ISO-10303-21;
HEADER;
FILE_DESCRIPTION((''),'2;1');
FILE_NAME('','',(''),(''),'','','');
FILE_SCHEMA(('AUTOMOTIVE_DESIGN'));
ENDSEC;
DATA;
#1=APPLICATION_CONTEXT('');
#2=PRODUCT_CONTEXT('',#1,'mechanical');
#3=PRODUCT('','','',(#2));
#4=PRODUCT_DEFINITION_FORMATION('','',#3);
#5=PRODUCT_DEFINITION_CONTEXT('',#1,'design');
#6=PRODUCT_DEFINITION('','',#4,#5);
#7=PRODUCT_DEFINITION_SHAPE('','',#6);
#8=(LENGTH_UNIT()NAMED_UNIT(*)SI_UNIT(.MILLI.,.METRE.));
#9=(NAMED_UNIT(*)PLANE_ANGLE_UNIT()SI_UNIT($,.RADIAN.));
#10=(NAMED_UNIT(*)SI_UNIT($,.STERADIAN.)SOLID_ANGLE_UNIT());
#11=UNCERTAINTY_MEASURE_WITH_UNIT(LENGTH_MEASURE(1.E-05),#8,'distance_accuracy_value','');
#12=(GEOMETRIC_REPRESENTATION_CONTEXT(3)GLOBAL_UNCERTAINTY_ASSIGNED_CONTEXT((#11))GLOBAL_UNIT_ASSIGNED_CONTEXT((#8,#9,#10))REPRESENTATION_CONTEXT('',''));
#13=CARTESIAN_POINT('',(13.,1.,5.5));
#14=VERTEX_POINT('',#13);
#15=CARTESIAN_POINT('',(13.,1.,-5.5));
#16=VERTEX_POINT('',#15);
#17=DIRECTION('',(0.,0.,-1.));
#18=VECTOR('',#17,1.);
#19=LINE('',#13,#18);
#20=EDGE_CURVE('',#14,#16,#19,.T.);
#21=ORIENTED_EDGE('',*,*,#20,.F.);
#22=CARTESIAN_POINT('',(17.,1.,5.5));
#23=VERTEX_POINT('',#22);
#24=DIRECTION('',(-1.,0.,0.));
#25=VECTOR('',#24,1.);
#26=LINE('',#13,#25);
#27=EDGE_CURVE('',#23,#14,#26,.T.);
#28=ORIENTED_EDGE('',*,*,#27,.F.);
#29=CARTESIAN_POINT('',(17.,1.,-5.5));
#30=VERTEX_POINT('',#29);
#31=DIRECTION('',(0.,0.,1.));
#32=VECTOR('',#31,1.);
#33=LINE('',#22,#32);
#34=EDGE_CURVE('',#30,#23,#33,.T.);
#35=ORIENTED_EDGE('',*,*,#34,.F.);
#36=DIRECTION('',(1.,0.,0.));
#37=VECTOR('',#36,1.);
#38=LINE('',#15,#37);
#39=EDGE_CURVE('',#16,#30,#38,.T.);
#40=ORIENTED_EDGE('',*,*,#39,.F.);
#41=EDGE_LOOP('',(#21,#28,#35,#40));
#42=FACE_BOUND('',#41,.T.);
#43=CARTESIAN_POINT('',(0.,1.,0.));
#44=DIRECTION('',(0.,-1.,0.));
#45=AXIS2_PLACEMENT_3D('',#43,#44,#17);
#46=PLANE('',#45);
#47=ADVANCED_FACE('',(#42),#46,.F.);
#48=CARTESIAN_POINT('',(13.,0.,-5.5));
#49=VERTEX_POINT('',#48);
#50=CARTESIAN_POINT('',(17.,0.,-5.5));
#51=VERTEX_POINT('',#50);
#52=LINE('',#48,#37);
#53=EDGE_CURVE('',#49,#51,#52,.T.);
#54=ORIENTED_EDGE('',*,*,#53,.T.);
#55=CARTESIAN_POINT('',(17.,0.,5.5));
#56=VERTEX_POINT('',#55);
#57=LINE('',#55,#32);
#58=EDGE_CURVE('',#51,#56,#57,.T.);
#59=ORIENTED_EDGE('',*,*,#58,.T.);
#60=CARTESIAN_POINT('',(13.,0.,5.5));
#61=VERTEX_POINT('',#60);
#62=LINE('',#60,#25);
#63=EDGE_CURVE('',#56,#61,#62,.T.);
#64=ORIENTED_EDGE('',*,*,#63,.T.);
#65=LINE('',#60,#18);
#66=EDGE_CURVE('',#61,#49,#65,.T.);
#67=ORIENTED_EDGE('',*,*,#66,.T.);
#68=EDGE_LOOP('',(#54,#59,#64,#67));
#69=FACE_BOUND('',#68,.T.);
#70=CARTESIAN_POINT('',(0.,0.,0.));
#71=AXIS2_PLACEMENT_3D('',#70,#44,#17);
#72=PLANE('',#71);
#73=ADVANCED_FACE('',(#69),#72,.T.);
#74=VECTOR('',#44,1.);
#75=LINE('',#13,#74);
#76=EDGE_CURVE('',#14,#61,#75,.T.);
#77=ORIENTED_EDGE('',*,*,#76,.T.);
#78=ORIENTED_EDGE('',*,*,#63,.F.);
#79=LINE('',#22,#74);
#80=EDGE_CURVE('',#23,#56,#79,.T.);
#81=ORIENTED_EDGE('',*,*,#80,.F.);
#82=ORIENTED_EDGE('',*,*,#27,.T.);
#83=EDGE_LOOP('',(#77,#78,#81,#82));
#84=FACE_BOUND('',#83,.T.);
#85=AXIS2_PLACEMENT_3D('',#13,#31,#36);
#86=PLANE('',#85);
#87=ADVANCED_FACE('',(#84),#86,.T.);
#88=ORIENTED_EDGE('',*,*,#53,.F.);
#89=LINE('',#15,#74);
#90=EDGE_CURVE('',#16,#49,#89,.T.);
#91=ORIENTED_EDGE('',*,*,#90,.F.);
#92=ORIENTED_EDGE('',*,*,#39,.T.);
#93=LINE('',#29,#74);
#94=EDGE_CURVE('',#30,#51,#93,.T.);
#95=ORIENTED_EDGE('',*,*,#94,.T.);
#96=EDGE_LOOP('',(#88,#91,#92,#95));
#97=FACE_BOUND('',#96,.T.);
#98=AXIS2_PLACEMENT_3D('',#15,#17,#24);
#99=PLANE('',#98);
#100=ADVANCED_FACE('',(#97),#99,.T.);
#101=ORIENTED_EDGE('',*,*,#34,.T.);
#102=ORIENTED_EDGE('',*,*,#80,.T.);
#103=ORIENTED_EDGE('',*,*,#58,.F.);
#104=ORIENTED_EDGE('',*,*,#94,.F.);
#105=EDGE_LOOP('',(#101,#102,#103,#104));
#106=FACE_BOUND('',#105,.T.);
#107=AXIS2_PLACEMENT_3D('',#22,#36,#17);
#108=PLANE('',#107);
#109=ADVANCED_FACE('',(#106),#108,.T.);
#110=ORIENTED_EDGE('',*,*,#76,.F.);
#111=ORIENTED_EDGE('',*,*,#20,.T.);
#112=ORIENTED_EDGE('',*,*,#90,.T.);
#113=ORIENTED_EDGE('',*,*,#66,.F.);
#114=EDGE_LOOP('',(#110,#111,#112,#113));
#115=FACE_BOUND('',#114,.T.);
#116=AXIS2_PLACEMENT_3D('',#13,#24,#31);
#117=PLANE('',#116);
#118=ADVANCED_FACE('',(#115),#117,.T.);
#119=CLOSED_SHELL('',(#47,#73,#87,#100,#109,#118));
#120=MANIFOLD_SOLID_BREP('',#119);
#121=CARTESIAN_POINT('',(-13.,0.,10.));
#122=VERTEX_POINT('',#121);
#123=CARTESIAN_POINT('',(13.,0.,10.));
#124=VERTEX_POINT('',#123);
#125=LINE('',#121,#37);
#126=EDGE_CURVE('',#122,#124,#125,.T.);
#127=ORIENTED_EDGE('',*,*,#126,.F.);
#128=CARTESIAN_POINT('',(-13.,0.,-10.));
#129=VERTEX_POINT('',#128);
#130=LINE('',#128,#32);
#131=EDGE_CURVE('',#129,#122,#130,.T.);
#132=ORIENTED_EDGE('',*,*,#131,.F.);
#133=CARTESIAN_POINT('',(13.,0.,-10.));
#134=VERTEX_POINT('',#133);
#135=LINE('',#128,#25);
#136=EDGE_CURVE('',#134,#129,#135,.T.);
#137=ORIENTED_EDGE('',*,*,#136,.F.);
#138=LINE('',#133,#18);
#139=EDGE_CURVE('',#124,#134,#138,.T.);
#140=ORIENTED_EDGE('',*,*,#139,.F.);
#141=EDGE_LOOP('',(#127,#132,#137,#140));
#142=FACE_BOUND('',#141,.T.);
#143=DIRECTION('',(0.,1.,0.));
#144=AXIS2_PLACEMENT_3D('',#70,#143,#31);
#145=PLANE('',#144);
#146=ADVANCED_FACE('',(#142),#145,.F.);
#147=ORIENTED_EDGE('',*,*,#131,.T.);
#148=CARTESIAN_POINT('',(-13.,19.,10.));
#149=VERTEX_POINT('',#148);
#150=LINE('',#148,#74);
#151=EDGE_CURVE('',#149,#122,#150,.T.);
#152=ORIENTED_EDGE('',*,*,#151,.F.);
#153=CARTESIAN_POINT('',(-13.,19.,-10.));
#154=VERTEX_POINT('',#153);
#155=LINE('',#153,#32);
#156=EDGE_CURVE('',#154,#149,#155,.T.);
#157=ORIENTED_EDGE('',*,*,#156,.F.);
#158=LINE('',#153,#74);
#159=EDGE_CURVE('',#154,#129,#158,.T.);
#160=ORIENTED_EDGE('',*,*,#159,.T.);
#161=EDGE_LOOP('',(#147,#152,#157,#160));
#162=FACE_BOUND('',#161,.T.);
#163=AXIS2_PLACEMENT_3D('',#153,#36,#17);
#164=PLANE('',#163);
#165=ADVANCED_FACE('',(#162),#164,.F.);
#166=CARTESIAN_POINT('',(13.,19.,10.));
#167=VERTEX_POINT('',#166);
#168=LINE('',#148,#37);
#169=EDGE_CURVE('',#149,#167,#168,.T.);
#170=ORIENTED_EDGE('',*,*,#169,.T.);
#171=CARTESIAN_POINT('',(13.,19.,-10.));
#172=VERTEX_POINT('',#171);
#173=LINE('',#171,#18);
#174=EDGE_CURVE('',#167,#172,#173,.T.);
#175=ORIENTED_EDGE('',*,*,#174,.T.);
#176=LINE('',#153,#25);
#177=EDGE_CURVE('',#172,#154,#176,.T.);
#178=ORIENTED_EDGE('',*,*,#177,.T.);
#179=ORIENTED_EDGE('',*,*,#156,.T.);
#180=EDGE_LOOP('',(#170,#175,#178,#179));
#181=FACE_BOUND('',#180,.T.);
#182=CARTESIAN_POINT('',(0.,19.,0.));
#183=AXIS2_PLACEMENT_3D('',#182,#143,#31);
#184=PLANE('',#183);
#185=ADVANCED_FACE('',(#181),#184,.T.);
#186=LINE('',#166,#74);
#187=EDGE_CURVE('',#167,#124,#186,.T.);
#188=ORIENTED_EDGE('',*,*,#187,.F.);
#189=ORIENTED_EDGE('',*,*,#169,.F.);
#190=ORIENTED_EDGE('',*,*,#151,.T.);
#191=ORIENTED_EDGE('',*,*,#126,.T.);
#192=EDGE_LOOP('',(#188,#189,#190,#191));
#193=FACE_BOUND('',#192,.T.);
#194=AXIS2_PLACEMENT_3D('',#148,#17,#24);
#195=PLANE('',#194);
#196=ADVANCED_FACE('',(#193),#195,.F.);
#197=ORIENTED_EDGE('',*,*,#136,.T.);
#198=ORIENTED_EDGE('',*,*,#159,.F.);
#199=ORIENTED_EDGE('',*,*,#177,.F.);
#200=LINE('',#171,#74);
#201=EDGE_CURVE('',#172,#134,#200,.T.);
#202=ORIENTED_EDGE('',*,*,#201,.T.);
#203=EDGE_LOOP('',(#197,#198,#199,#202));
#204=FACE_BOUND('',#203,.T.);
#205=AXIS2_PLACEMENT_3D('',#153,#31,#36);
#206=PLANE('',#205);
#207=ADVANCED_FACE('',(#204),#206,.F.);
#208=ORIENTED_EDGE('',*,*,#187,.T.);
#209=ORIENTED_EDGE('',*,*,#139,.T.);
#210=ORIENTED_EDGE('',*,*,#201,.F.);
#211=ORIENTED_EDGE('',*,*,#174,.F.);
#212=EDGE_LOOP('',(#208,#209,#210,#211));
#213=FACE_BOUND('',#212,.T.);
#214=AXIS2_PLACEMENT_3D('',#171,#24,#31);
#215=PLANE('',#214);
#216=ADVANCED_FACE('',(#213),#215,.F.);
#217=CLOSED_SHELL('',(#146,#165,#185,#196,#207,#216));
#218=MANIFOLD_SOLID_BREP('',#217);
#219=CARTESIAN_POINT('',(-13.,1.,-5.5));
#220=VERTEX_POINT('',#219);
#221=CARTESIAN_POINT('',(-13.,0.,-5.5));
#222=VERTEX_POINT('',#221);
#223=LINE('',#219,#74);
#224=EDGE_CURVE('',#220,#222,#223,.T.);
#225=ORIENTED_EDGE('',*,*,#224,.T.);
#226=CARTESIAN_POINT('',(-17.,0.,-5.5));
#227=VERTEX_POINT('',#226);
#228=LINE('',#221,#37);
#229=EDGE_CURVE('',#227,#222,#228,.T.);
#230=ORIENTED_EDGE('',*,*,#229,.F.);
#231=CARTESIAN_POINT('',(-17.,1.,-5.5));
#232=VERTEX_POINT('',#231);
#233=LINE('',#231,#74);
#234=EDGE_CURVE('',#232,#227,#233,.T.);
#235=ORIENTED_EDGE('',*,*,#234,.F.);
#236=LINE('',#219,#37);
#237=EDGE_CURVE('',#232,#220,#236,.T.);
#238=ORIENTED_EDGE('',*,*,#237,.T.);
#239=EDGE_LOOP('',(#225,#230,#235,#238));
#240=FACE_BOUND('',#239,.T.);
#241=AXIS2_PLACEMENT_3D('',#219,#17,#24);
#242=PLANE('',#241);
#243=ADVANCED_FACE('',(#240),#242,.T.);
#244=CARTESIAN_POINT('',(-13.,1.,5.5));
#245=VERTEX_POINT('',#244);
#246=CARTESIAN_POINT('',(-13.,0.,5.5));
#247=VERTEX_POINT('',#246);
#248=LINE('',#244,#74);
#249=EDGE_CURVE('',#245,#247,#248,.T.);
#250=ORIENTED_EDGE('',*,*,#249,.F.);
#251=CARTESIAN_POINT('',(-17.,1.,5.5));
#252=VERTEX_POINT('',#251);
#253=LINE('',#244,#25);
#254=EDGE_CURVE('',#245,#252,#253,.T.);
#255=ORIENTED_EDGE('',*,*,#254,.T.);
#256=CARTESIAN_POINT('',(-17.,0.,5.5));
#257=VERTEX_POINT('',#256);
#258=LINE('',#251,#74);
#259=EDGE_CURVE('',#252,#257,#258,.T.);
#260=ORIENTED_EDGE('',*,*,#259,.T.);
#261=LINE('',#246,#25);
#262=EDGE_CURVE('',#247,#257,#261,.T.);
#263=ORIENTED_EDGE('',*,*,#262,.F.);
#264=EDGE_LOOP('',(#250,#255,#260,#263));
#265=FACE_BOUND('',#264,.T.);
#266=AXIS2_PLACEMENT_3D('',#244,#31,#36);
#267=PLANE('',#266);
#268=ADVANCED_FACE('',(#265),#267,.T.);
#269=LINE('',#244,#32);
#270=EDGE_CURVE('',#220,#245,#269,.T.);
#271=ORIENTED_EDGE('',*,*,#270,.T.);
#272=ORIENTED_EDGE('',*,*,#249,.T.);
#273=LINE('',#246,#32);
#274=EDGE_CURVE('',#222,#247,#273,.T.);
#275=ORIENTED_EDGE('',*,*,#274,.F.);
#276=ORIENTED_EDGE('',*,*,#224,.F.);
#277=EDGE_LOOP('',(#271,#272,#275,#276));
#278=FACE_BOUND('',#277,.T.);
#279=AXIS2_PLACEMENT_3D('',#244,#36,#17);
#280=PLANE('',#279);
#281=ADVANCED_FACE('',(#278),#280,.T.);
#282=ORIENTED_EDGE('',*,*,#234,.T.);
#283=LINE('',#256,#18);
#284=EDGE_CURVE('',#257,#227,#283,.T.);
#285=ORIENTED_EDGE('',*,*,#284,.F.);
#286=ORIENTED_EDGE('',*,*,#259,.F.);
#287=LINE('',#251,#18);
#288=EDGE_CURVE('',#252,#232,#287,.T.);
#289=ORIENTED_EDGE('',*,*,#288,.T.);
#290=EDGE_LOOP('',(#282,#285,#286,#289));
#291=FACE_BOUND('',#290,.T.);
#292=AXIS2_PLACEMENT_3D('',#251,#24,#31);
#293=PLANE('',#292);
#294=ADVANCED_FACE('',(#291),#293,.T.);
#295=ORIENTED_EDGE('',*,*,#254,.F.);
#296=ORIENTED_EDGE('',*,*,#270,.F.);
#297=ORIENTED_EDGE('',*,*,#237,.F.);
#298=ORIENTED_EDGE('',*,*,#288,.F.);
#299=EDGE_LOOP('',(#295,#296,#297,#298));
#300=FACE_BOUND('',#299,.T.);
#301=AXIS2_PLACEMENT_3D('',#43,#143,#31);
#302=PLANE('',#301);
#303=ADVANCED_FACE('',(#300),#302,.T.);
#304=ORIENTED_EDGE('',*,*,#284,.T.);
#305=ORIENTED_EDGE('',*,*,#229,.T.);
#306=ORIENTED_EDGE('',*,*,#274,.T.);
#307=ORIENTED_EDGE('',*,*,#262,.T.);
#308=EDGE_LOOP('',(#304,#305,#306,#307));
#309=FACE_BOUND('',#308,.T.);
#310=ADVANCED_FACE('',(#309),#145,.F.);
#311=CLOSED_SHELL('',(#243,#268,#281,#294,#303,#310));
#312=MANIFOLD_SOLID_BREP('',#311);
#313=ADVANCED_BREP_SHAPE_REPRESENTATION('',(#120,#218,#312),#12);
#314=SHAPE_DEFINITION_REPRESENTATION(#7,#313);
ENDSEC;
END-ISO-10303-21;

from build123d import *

# Parameters (mm, degrees)
SKIZZE1_W                         = 26
SKIZZE1_H                         = 20
AUFSATZ_LINEAR_AUSTRAGEN1_DEPTH   = 19
SKIZZE2_W                         = 4
SKIZZE2_H                         = 11
AUFSATZ_LINEAR_AUSTRAGEN2_DEPTH   = 1
AUFSATZ_LINEAR_AUSTRAGEN2_2_DEPTH = 1


with BuildPart() as part:
    # Skizze1 → Aufsatz-Linear austragen1 (new body)
    with BuildSketch(Plane(origin=(0, 0, 0), x_dir=(1, 0, 0), z_dir=(0, 1, 0))):
        Rectangle(SKIZZE1_W, SKIZZE1_H)
    extrude(amount=AUFSATZ_LINEAR_AUSTRAGEN1_DEPTH)


with BuildPart() as body_2:
    # Skizze2 → Aufsatz-Linear austragen2 (new body)
    with BuildSketch(Plane.XZ):
        with Locations((-15, 0)):
            Rectangle(SKIZZE2_W, SKIZZE2_H)
    extrude(amount=-AUFSATZ_LINEAR_AUSTRAGEN2_DEPTH)


with BuildPart() as body_3:
    # Skizze2 → Aufsatz-Linear austragen2 2 (new body)
    with BuildSketch(Plane.XZ):
        with Locations((15, 0)):
            Rectangle(SKIZZE2_W, SKIZZE2_H)
    extrude(amount=-AUFSATZ_LINEAR_AUSTRAGEN2_2_DEPTH)


solid = Compound([part.part, body_2.part, body_3.part])
